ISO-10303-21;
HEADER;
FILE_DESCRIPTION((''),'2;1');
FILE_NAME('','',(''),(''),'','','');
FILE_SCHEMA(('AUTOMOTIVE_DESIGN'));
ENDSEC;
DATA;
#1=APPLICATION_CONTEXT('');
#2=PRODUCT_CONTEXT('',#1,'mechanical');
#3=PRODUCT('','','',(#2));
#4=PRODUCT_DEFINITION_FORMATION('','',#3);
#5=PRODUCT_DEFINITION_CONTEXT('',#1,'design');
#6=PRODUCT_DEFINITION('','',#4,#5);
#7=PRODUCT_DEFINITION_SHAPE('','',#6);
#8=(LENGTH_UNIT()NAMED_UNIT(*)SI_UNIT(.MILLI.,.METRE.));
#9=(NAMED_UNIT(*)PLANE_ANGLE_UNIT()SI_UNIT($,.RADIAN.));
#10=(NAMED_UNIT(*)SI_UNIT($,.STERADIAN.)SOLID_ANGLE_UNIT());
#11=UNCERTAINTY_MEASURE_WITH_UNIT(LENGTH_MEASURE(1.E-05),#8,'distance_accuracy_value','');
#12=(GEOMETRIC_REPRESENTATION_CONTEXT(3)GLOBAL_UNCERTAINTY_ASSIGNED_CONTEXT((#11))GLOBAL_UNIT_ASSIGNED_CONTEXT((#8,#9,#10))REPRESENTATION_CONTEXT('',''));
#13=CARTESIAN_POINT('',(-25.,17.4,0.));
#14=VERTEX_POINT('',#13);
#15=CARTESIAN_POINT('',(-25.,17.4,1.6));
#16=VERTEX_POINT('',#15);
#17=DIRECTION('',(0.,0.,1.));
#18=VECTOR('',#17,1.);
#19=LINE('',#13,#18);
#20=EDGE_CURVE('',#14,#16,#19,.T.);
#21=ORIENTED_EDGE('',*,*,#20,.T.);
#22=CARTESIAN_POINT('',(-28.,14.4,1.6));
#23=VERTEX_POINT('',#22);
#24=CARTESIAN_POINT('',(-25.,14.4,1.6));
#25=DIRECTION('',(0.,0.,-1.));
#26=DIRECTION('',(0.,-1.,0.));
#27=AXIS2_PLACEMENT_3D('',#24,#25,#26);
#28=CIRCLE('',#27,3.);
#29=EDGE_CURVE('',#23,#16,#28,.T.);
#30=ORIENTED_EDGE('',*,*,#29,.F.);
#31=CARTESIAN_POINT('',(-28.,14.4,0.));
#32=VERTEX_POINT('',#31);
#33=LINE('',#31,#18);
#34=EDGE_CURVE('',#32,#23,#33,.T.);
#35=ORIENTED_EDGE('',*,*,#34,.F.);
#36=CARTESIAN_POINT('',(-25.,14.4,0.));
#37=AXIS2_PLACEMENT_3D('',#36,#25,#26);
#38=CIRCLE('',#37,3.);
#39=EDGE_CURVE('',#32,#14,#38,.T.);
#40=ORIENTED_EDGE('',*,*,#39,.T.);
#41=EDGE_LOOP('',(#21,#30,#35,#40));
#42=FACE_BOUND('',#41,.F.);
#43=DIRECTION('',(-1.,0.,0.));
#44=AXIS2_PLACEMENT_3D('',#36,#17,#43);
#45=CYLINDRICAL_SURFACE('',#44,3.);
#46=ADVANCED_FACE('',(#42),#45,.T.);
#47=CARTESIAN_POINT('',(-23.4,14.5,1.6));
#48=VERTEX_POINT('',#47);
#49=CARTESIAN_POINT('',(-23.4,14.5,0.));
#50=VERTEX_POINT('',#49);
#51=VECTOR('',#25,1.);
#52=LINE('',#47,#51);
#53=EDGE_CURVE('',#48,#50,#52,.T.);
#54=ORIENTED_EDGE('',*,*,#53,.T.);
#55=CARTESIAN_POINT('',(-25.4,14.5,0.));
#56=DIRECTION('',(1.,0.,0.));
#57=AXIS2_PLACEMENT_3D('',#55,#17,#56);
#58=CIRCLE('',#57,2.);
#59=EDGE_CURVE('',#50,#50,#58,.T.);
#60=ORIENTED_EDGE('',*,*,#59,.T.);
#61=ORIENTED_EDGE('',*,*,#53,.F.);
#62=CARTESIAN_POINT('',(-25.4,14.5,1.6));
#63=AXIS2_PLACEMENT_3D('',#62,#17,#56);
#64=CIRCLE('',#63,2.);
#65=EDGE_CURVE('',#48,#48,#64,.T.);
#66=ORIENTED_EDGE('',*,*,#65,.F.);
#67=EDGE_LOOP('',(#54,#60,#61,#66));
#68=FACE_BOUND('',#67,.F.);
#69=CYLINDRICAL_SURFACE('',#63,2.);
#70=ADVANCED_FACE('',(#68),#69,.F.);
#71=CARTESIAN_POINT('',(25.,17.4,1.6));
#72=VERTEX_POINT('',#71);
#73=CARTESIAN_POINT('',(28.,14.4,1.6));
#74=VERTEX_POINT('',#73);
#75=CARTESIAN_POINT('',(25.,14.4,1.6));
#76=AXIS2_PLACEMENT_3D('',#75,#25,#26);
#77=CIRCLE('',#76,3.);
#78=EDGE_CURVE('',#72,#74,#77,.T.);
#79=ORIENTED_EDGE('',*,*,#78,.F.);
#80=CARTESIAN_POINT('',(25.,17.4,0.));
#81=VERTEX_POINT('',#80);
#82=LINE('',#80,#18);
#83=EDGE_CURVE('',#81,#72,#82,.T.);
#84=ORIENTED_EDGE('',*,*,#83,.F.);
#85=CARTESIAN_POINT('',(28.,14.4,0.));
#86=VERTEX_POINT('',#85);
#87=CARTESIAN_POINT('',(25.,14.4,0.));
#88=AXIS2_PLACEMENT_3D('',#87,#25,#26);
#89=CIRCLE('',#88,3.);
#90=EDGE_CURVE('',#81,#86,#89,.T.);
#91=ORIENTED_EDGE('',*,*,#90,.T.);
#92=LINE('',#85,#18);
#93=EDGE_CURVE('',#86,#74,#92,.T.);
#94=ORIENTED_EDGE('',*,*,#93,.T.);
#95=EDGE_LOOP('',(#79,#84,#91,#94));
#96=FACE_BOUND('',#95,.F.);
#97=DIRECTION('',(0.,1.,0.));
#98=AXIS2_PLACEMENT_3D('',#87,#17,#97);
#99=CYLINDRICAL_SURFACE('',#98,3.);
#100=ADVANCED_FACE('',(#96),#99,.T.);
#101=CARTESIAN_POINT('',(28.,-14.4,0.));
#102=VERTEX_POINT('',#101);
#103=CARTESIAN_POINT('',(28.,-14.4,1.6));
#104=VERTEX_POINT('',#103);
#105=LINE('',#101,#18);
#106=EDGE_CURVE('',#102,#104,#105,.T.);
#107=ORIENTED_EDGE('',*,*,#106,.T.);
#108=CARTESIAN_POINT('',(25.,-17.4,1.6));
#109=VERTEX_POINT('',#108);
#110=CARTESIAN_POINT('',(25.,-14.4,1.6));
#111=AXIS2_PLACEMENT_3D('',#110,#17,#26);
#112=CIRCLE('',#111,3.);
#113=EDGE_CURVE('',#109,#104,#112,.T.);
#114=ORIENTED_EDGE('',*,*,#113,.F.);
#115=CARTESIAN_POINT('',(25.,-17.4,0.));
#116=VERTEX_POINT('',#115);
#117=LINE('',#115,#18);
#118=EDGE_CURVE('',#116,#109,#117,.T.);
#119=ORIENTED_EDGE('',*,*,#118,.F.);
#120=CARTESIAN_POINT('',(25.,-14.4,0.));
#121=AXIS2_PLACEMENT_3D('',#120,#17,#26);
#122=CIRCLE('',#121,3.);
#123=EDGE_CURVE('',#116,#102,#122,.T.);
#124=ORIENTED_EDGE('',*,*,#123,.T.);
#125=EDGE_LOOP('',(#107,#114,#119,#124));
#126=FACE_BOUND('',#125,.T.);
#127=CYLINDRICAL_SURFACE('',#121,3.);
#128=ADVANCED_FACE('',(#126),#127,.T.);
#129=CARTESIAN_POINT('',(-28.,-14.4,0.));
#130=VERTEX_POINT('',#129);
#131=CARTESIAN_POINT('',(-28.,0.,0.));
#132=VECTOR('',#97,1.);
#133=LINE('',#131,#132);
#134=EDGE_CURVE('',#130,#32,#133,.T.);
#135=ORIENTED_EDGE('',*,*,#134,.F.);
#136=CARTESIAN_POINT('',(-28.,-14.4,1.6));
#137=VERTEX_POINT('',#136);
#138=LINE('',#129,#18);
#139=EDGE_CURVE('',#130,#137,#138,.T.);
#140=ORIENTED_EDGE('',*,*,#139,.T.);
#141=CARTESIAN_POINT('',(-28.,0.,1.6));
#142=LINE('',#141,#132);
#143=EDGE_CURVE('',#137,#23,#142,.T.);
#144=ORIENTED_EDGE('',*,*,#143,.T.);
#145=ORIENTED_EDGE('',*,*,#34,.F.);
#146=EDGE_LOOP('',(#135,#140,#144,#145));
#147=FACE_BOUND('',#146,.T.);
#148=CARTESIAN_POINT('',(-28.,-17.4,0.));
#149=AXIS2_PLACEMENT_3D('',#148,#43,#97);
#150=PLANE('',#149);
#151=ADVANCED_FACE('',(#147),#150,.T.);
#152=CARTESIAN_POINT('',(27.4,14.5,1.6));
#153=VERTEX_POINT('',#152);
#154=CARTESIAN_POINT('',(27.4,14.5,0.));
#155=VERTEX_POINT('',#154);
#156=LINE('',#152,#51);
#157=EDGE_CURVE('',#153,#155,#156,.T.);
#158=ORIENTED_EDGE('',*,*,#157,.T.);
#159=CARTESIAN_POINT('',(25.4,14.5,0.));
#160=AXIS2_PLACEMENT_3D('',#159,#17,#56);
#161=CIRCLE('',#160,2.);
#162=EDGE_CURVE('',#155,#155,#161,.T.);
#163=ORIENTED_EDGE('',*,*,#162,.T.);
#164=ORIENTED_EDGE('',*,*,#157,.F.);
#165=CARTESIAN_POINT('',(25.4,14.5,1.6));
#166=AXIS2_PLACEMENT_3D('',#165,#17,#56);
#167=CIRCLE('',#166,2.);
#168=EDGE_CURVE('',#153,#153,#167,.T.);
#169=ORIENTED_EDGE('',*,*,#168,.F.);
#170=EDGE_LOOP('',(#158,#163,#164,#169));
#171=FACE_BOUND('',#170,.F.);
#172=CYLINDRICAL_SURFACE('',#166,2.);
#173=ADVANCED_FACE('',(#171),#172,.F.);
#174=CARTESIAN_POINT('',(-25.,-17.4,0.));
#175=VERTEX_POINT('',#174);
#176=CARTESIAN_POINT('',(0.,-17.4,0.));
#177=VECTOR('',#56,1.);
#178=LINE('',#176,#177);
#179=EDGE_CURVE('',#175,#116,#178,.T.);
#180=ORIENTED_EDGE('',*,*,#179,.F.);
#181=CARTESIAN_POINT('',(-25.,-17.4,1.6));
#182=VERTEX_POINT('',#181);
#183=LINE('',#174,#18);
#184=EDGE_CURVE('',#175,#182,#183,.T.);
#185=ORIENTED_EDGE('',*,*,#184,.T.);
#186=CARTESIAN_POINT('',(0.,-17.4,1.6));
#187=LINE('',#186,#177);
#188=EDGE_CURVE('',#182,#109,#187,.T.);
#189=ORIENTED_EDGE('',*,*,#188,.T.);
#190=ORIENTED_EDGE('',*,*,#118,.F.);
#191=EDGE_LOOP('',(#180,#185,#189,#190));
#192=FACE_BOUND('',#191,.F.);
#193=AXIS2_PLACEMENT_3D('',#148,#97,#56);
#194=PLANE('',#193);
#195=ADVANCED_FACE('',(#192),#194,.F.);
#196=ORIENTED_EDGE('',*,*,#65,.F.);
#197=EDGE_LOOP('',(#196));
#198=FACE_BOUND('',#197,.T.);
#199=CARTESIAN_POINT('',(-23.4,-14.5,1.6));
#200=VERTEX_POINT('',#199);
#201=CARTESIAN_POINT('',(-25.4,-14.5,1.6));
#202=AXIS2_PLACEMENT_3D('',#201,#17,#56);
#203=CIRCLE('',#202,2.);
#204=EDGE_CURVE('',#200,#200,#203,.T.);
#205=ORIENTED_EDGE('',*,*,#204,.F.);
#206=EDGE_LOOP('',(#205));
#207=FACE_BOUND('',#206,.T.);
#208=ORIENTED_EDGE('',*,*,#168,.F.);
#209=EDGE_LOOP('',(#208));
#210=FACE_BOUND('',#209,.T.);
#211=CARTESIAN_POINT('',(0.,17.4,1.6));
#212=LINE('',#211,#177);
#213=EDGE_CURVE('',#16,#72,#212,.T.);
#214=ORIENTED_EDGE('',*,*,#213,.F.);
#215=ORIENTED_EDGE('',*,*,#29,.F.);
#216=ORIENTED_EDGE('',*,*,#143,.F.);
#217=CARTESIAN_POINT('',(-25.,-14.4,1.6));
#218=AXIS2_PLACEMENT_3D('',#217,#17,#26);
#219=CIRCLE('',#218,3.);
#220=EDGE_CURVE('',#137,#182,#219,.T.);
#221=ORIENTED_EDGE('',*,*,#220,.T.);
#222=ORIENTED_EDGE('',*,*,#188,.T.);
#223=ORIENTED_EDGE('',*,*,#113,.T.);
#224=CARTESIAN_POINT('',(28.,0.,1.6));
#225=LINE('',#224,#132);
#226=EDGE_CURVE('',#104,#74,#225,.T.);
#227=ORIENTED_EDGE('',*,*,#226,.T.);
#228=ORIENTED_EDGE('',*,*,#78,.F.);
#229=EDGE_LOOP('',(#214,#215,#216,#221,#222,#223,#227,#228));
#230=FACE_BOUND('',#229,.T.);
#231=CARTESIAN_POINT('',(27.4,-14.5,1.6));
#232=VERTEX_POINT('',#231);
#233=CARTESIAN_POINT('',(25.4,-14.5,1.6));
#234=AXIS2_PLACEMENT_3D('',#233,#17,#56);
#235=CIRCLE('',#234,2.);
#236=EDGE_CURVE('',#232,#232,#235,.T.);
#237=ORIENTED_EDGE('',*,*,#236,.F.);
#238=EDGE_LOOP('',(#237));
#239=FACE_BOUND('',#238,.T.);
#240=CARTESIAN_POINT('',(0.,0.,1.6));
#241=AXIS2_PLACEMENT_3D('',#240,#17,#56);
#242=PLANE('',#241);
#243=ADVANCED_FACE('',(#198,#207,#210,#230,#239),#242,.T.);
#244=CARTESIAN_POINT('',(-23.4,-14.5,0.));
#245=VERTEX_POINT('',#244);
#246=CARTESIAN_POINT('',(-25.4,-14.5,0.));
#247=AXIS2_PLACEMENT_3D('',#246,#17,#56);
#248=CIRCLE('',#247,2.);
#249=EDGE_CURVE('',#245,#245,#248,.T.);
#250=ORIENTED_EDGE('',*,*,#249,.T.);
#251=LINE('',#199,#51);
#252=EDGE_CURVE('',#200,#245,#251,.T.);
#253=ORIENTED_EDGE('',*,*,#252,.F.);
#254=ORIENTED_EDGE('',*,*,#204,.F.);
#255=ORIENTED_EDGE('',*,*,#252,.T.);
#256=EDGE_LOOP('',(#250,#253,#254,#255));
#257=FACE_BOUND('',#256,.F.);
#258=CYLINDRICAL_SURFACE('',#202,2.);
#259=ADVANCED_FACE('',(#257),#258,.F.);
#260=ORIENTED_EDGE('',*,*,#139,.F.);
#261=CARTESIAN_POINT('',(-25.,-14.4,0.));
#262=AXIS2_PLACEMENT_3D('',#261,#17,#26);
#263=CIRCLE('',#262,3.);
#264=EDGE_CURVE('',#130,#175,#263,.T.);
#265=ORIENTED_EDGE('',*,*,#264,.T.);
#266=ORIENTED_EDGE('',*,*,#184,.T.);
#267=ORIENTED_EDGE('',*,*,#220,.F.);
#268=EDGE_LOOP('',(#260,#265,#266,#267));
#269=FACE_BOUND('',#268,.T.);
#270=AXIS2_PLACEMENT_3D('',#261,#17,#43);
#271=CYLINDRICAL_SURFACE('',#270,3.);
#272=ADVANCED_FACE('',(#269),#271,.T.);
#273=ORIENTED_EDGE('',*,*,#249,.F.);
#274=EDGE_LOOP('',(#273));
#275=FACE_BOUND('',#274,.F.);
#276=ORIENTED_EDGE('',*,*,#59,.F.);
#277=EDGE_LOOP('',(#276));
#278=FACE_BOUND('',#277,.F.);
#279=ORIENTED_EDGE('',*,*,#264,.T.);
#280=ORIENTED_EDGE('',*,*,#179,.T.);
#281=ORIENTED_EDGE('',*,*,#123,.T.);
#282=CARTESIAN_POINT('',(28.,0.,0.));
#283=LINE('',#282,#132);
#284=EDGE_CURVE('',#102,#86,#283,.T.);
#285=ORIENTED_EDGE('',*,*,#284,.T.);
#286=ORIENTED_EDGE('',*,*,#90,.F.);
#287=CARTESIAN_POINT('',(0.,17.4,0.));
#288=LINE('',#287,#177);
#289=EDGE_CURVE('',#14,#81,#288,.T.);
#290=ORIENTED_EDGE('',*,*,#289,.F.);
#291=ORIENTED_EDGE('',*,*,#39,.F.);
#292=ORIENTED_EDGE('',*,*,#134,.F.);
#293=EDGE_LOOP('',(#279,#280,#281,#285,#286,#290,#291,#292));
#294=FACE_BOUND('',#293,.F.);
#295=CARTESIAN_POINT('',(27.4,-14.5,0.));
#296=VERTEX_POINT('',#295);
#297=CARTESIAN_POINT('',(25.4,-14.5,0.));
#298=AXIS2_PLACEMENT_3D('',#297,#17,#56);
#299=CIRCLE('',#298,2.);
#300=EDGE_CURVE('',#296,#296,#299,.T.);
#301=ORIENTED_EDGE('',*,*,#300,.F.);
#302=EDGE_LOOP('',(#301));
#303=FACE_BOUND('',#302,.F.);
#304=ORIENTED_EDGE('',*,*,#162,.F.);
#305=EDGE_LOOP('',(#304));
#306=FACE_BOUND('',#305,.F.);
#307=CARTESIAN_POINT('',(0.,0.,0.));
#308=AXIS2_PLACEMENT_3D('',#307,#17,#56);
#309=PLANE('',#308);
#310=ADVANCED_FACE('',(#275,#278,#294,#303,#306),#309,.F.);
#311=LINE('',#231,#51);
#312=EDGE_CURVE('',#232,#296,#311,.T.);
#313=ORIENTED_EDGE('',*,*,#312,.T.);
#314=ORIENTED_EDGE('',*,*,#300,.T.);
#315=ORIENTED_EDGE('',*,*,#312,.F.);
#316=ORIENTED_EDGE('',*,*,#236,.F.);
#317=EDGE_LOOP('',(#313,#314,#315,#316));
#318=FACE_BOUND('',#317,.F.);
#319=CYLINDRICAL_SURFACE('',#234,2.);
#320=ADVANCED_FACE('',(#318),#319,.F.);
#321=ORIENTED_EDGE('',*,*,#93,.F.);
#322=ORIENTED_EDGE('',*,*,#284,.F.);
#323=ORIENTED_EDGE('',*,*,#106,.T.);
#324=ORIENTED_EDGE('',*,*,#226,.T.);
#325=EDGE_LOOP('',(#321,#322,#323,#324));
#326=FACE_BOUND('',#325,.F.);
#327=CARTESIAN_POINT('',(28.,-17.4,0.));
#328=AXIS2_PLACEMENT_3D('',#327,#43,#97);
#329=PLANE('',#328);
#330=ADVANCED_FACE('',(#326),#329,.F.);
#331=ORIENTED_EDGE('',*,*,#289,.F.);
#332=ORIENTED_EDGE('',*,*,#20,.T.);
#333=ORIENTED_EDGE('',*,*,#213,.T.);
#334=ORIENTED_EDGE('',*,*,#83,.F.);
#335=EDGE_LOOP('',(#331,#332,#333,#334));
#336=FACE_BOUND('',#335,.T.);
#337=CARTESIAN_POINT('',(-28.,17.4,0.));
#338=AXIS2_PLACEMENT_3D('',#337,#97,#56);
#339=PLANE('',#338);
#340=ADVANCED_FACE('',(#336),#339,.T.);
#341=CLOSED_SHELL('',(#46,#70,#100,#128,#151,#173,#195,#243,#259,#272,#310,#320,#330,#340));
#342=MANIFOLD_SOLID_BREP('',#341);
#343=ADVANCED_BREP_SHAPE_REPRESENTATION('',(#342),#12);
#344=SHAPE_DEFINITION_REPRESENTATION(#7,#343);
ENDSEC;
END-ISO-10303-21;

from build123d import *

# Parameters (mm, degrees)
SKETCH_W     = 56
SKETCH_H     = 34.8
PAD_DEPTH    = 1.6
SKETCH003_R  = 2
POCKET_DEPTH = 1.601
FILLET_R     = 3


with BuildPart() as part:
    # Sketch → Pad (new body)
    with BuildSketch(Plane.XY):
        Rectangle(SKETCH_W, SKETCH_H)
    extrude(amount=PAD_DEPTH)

    # Sketch003 → Pocket (cut, through all)
    with BuildSketch(Plane.XY.offset(1.6)):
        with Locations((-25.4, -14.5)):
            Circle(SKETCH003_R)
        with Locations((-25.4, 14.5)):
            Circle(SKETCH003_R)
        with Locations((25.4, 14.5)):
            Circle(SKETCH003_R)
        with Locations((25.4, -14.5)):
            Circle(SKETCH003_R)
    extrude(amount=-POCKET_DEPTH, mode=Mode.SUBTRACT)

    # Fillet
    fillet_edges = [part.edges().sort_by_distance(p)[0] for p in [
        (-28, -17.4, 0.8),
        (28, -17.4, 0.8),
        (28, 17.4, 0.8),
        (-28, 17.4, 0.8),
    ]]
    fillet(fillet_edges, radius=FILLET_R)


solid = part.part
